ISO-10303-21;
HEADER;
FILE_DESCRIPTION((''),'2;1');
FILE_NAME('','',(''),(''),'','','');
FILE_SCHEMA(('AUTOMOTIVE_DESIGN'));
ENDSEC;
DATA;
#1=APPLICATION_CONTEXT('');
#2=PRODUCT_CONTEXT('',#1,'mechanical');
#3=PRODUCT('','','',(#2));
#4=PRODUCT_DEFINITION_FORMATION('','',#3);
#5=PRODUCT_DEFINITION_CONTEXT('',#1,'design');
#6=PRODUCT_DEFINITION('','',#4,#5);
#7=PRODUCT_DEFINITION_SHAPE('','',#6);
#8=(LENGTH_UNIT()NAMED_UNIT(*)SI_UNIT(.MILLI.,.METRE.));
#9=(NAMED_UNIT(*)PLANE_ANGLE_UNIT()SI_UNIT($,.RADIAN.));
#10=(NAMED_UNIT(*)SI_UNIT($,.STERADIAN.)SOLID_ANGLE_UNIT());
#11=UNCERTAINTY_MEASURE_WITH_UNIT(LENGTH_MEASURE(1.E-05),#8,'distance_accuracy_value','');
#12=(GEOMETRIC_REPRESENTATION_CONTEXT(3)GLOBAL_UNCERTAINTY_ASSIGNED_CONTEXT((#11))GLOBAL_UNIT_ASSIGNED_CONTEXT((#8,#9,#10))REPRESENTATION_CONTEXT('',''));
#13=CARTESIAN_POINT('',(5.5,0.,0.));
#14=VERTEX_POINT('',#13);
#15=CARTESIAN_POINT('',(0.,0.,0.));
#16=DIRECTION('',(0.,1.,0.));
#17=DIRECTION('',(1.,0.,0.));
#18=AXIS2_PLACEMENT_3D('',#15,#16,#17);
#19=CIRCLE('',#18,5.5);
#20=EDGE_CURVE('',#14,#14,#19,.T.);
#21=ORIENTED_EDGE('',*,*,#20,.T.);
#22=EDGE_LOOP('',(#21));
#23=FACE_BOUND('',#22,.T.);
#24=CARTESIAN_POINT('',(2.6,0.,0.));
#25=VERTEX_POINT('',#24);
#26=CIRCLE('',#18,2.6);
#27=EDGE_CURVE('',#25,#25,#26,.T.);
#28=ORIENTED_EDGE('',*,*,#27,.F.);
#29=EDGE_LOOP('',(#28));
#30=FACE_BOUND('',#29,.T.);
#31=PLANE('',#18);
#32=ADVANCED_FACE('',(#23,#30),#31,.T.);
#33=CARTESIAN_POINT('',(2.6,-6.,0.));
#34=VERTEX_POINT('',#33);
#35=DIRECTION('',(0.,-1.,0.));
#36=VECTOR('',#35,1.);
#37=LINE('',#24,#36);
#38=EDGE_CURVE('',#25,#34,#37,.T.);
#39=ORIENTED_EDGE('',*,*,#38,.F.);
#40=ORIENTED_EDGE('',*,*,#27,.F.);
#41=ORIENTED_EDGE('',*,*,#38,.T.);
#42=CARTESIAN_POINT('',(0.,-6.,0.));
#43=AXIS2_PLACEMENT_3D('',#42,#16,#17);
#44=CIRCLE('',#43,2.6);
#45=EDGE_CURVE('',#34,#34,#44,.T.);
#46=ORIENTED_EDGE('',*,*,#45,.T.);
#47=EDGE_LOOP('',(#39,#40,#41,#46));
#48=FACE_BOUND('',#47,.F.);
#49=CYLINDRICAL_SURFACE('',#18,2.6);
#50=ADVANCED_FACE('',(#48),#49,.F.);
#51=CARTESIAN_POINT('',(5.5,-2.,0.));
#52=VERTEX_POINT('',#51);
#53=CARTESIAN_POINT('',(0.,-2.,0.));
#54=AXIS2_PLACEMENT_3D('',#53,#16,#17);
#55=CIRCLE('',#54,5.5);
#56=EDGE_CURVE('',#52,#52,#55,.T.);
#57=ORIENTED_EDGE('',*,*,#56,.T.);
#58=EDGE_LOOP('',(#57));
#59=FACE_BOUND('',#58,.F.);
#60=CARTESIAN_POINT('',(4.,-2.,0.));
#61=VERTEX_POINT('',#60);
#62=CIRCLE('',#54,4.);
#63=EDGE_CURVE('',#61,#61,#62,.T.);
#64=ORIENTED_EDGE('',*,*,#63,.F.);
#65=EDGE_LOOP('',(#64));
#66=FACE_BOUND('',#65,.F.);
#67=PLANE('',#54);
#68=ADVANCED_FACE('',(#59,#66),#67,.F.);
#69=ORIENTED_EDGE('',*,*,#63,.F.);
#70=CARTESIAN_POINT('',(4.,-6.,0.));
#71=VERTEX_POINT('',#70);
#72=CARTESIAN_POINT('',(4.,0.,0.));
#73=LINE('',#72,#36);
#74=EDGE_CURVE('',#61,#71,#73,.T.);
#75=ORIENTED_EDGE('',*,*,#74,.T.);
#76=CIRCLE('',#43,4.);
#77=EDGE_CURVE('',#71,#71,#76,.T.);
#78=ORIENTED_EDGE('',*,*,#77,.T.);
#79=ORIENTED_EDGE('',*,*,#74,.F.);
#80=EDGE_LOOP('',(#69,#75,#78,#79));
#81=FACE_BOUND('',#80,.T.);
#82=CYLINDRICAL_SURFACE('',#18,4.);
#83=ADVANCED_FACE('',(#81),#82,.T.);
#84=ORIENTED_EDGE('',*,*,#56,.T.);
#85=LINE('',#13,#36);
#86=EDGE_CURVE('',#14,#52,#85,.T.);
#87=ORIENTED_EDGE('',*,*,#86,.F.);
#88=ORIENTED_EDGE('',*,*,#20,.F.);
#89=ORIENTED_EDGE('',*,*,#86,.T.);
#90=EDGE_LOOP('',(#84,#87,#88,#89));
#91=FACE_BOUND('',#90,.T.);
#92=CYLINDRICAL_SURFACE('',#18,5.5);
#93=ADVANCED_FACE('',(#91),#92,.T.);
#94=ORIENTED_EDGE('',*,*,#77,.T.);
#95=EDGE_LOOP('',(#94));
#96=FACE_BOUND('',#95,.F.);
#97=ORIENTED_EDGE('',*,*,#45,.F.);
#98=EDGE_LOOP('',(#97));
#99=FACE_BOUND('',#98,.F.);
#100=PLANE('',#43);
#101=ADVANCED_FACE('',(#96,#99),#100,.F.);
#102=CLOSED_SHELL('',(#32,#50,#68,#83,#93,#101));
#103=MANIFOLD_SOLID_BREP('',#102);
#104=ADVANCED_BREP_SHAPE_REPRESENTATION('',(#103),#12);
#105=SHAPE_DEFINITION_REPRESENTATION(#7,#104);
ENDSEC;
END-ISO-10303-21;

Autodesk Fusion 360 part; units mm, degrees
sketch "Sketch1" plane through (0, 0, 0) normal (0, 1, 0) x (1, 0, 0)
  circle A0 centre (0, 0) radius 4
  circle A1 centre (0, 0) radius 2.6
  dimension "d1" = 8
  dimension "d2" = 5.2
extrude "Extrude1" add sketch "Sketch1" against normal blind 6 makes body 1
sketch "Sketch2" plane through (0, 0, 0) normal (0, 1, 0) x (1, 0, 0)
  circle A0 centre (0, 0) radius 5.5
  circle A1 centre (0, 0) radius 4
  dimension "d5" = 11
  dimension "d6" = 8
extrude "Extrude2" add sketch "Sketch2" against normal blind 2 bodies 1
copy_body "Body->Comp1" bodies 1 removing the originals makes body 2 in component "Component"
component "Component" placed x (1, 0, 0) y (0, 1, 0) z (0, 0, 1) at (0, 0, 0)
equation "d2 = 8 mm - 2.8 mm"
